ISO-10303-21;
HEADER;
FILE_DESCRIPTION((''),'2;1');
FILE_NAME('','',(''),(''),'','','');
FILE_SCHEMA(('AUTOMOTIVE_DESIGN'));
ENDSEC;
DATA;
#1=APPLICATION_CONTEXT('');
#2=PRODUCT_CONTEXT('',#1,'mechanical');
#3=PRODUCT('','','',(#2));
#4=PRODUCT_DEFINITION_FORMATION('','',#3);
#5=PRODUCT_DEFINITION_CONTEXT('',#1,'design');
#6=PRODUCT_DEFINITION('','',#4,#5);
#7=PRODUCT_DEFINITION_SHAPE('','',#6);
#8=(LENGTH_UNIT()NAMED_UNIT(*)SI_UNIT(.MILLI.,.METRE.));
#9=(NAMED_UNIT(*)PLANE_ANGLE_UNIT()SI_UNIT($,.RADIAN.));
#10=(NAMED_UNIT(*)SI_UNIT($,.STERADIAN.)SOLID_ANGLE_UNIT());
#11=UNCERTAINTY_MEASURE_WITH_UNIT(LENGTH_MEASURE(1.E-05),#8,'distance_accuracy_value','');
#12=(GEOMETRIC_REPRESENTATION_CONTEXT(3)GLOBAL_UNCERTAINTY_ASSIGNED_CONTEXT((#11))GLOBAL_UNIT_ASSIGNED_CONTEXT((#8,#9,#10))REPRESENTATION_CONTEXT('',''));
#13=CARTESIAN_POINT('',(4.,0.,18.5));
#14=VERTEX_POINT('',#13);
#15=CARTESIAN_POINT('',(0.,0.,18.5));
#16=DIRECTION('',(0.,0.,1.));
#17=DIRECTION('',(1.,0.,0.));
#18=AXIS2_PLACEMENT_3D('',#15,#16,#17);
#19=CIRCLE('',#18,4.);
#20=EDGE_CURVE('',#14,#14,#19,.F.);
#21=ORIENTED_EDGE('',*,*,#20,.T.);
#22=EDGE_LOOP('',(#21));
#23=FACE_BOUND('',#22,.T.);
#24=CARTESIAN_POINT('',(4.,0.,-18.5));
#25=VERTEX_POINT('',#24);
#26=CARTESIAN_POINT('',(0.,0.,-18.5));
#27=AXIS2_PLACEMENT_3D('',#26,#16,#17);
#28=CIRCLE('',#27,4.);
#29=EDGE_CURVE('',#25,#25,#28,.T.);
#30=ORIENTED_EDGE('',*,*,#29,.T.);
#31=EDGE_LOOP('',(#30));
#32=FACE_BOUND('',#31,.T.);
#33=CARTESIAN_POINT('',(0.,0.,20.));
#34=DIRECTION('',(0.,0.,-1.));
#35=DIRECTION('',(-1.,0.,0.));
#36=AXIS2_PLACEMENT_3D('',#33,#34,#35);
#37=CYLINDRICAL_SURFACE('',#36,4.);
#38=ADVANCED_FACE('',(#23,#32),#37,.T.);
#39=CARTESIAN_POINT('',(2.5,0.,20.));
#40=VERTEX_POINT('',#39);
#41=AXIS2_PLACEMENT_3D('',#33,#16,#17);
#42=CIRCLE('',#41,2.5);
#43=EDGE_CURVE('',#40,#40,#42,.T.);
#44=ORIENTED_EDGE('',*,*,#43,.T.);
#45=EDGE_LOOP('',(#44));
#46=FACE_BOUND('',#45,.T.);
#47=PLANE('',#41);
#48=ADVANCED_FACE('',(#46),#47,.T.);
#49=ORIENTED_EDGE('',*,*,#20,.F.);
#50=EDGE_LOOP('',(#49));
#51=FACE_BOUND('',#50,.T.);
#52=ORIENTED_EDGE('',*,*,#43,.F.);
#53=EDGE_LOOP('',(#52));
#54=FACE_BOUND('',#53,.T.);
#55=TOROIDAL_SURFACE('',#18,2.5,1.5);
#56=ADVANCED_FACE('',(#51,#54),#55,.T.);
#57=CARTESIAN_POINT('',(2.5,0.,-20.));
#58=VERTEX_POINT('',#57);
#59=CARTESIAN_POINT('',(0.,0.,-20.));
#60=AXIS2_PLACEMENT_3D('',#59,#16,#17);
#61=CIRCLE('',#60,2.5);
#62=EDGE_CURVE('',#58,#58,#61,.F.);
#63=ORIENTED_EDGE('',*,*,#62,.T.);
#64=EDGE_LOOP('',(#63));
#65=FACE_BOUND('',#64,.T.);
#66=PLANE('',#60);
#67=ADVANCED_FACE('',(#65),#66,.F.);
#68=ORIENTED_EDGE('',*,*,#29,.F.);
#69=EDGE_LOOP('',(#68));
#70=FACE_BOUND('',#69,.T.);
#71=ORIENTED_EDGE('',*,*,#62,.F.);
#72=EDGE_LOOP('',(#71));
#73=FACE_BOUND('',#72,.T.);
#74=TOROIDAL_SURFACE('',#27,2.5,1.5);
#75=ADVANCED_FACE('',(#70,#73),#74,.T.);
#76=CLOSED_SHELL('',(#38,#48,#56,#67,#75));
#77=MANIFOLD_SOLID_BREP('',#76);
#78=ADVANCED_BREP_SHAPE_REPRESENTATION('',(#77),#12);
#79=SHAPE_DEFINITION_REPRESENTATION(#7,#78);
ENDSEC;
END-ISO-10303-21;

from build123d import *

# Parameters (mm, degrees)
ESQUISSE1_R        = 4
BOSS_EXTRU_1_DEPTH = 20
CONG_1_R           = 1.5


with BuildPart() as part:
    # Esquisse1 → Boss.-Extru.1 (new body, symmetric)
    with BuildSketch(Plane.XY):
        Circle(ESQUISSE1_R)
    extrude(amount=BOSS_EXTRU_1_DEPTH, both=True)

    # Congé1
    cong_1_edges = [part.edges().sort_by_distance(p)[0] for p in [
        (-4, 0, -20),
        (-4, 0, 20),
    ]]
    fillet(cong_1_edges, radius=CONG_1_R)


solid = part.part
